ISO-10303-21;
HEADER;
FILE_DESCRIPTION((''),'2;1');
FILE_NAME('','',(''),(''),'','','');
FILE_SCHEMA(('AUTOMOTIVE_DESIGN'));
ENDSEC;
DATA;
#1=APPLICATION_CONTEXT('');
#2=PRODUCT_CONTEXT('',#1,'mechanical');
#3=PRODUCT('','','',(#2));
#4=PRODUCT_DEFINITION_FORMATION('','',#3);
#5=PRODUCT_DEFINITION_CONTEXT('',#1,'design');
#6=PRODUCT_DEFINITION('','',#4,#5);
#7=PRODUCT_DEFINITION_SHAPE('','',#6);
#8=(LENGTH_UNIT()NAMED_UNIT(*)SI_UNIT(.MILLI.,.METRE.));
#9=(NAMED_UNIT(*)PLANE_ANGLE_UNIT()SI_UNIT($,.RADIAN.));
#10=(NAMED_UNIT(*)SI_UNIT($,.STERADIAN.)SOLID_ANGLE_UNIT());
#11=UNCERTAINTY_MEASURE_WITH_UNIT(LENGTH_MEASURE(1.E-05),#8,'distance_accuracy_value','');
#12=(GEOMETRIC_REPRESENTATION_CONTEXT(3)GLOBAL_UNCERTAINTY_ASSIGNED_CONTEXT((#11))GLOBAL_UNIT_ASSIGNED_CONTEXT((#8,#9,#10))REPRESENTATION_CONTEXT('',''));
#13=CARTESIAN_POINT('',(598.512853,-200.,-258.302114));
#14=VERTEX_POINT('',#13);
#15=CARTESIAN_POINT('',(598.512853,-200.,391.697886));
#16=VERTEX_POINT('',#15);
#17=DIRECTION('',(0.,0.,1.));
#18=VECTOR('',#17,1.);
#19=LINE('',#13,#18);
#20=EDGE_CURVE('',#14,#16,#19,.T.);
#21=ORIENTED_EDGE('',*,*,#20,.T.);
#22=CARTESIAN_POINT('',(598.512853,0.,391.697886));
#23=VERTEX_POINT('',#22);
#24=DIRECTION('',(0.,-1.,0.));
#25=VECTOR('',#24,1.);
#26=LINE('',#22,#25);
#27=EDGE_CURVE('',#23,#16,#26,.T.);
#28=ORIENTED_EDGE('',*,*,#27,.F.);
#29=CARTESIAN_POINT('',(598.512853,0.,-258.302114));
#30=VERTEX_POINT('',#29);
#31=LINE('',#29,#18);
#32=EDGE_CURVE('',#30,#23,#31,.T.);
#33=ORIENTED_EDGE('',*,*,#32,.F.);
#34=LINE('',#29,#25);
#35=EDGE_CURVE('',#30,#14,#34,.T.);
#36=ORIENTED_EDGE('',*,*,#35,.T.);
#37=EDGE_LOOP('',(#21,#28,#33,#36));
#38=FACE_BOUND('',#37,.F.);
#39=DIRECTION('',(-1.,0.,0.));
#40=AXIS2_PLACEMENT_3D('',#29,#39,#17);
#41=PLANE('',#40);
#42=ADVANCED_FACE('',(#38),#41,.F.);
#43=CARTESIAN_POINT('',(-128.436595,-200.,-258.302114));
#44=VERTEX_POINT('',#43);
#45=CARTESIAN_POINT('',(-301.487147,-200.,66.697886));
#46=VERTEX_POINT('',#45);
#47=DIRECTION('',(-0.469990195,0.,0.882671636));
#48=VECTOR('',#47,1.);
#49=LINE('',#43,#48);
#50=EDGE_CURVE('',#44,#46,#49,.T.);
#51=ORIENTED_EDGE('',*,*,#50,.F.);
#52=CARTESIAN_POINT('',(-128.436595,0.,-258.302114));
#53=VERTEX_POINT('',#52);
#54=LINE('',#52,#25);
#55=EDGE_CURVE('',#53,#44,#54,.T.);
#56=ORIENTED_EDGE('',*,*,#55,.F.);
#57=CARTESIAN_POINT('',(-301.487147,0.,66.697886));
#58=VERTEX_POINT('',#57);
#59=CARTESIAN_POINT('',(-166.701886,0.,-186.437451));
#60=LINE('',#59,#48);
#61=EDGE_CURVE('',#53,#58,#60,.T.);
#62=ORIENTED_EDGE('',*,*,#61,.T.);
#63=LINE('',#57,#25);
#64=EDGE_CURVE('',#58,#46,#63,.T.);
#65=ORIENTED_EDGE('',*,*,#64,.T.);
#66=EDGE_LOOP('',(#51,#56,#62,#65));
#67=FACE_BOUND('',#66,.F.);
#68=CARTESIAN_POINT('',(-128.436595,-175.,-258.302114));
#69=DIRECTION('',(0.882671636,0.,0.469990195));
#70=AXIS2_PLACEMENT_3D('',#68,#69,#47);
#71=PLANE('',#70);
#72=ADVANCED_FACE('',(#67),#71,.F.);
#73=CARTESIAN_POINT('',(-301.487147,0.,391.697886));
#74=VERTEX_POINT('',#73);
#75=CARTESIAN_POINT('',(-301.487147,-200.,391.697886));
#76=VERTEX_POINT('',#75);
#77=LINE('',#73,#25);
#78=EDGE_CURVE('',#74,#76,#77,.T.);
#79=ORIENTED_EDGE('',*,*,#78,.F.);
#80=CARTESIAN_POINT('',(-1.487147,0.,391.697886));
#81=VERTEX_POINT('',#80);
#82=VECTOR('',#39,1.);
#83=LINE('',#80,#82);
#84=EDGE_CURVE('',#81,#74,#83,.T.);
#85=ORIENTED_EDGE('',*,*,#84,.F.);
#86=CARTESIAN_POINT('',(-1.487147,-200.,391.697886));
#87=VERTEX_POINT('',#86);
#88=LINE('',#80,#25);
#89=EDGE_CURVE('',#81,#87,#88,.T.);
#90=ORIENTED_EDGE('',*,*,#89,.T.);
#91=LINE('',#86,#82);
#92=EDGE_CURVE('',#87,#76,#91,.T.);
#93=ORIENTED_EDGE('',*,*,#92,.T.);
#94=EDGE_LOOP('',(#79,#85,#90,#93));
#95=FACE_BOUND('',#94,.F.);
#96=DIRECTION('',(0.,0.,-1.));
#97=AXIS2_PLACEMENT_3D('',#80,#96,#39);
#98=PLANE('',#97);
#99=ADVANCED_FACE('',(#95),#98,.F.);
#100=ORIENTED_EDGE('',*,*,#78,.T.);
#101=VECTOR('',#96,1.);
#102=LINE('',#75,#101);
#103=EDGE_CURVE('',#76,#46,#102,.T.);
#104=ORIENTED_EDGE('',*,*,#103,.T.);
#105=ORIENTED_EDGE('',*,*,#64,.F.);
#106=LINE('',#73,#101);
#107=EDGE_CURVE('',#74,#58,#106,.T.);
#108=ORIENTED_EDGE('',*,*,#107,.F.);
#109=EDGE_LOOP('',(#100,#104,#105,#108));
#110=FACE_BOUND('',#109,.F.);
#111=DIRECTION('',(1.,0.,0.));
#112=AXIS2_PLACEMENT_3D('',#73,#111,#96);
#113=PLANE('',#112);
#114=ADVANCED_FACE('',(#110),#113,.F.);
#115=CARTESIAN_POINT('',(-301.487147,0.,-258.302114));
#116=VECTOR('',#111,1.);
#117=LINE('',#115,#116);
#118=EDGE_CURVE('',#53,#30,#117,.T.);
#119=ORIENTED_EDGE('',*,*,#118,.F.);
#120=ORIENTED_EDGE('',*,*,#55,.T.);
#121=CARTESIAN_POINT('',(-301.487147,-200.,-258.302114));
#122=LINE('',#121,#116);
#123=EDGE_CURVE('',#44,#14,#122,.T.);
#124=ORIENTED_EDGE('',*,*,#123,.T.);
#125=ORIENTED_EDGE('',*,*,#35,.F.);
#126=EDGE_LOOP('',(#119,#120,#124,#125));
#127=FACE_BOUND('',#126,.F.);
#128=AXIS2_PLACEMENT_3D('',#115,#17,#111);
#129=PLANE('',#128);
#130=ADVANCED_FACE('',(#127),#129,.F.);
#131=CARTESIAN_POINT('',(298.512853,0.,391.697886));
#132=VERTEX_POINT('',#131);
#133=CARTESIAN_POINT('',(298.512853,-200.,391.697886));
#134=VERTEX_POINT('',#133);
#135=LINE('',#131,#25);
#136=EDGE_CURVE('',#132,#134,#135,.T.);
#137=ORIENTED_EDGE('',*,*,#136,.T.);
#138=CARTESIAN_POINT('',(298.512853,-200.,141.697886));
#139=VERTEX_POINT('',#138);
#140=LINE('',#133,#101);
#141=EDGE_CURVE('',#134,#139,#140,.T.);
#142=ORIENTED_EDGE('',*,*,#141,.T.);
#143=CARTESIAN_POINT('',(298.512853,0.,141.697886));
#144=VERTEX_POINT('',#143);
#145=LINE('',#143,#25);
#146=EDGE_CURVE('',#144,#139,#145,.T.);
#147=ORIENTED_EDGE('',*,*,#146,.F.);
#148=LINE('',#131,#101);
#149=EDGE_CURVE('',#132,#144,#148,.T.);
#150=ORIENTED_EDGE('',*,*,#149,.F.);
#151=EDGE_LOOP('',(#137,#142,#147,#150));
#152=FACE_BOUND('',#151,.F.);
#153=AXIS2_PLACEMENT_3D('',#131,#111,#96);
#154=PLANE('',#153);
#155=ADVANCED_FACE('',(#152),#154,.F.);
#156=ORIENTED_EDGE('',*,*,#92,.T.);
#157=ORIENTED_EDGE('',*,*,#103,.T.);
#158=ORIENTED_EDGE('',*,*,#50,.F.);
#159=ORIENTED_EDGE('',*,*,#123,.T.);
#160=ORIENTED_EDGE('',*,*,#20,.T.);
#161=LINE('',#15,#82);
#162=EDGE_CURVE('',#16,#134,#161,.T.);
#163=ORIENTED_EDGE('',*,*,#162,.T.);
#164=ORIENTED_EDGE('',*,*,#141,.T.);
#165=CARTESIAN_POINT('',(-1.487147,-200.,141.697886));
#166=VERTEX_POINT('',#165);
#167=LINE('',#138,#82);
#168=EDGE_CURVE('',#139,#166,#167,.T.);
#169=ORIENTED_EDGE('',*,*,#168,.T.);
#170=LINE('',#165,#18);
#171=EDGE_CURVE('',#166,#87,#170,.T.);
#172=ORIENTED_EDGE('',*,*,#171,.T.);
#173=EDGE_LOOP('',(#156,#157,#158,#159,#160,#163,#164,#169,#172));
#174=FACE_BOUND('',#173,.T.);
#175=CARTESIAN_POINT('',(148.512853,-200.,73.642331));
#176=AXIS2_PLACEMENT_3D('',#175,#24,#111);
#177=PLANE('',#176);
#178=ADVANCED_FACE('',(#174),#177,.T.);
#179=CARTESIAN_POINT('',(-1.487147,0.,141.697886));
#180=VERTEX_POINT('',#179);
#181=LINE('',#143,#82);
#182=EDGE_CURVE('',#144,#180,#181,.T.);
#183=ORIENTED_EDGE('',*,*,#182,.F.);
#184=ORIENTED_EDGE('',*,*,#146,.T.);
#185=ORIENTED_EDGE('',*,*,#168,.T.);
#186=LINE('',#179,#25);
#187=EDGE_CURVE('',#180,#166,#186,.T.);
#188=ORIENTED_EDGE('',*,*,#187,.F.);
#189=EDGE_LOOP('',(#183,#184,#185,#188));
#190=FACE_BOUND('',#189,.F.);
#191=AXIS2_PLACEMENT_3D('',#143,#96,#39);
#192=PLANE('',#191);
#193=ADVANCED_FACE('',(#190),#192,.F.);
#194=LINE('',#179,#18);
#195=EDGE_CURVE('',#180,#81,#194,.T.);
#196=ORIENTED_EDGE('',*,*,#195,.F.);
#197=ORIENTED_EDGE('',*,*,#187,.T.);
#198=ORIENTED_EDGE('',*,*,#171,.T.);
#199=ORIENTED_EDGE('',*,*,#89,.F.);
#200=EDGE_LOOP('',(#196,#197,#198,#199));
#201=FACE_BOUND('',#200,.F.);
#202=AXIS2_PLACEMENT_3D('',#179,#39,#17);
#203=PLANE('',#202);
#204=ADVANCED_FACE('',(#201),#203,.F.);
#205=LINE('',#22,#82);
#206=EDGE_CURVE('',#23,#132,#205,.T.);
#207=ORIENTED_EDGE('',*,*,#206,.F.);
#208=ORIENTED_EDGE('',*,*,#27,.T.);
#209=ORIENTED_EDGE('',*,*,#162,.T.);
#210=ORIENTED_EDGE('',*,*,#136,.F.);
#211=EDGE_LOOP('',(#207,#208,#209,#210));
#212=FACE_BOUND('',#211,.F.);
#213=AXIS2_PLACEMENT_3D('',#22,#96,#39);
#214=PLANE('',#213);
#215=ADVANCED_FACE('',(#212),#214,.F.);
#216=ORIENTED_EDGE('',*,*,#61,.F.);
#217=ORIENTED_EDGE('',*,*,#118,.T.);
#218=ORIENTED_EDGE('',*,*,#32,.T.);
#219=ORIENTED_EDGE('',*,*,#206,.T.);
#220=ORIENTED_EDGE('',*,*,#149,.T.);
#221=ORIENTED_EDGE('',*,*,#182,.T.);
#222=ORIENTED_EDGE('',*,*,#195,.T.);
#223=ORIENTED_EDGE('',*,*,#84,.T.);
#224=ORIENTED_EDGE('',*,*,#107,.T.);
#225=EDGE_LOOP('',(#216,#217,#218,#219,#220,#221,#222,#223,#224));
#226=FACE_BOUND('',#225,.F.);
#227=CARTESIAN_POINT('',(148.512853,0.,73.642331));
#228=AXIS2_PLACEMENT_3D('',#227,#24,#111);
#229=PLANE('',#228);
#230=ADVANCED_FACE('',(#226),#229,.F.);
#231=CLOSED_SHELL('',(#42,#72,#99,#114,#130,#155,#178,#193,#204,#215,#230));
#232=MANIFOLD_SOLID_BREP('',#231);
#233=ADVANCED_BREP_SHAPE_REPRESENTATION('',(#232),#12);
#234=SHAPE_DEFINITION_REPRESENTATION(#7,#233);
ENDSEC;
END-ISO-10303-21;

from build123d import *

# Parameters (mm, degrees)
F1_DEPTH = 200
F4_DEPTH = 25
F5_DEPTH = 400


with BuildPart() as f1:
    # F0 (on Front) → F1 (new body)
    with BuildSketch(Plane.XZ):
        Polygon((-1.4871466187, 391.6978864931), (-301.4871466187, 391.6978864931), (-301.4871466187, -258.3021135069), (-190.924435854, -258.3021135069), (-80.4046094418, -258.3021135069), (598.5128533813, -258.3021135069), (598.5128533813, -237.8309071064), (598.5128533813, 391.6978864931), (298.5128533813, 391.6978864931), (298.5128533813, 141.6978864931), (-1.4871466187, 141.6978864931), align=None)
    extrude(amount=F1_DEPTH)

    # F2 (on face) → F4 (cut)
    with BuildSketch(Plane.XZ.offset(200)):
        Polygon((-301.4871466187, 66.6978864931), (-301.4871466187, -258.3021135069), (-128.4365952015, -258.3021135069), align=None)
    extrude(amount=-F4_DEPTH, mode=Mode.SUBTRACT)

    # F5 (cut): a face of the model
    f5_faces = [f1.faces().sort_by_distance(p)[0] for p in [
        (-243.8036294796, -175, -149.9687801736),
    ]]
    extrude(f5_faces, amount=-F5_DEPTH, mode=Mode.SUBTRACT)


solid = f1.part
